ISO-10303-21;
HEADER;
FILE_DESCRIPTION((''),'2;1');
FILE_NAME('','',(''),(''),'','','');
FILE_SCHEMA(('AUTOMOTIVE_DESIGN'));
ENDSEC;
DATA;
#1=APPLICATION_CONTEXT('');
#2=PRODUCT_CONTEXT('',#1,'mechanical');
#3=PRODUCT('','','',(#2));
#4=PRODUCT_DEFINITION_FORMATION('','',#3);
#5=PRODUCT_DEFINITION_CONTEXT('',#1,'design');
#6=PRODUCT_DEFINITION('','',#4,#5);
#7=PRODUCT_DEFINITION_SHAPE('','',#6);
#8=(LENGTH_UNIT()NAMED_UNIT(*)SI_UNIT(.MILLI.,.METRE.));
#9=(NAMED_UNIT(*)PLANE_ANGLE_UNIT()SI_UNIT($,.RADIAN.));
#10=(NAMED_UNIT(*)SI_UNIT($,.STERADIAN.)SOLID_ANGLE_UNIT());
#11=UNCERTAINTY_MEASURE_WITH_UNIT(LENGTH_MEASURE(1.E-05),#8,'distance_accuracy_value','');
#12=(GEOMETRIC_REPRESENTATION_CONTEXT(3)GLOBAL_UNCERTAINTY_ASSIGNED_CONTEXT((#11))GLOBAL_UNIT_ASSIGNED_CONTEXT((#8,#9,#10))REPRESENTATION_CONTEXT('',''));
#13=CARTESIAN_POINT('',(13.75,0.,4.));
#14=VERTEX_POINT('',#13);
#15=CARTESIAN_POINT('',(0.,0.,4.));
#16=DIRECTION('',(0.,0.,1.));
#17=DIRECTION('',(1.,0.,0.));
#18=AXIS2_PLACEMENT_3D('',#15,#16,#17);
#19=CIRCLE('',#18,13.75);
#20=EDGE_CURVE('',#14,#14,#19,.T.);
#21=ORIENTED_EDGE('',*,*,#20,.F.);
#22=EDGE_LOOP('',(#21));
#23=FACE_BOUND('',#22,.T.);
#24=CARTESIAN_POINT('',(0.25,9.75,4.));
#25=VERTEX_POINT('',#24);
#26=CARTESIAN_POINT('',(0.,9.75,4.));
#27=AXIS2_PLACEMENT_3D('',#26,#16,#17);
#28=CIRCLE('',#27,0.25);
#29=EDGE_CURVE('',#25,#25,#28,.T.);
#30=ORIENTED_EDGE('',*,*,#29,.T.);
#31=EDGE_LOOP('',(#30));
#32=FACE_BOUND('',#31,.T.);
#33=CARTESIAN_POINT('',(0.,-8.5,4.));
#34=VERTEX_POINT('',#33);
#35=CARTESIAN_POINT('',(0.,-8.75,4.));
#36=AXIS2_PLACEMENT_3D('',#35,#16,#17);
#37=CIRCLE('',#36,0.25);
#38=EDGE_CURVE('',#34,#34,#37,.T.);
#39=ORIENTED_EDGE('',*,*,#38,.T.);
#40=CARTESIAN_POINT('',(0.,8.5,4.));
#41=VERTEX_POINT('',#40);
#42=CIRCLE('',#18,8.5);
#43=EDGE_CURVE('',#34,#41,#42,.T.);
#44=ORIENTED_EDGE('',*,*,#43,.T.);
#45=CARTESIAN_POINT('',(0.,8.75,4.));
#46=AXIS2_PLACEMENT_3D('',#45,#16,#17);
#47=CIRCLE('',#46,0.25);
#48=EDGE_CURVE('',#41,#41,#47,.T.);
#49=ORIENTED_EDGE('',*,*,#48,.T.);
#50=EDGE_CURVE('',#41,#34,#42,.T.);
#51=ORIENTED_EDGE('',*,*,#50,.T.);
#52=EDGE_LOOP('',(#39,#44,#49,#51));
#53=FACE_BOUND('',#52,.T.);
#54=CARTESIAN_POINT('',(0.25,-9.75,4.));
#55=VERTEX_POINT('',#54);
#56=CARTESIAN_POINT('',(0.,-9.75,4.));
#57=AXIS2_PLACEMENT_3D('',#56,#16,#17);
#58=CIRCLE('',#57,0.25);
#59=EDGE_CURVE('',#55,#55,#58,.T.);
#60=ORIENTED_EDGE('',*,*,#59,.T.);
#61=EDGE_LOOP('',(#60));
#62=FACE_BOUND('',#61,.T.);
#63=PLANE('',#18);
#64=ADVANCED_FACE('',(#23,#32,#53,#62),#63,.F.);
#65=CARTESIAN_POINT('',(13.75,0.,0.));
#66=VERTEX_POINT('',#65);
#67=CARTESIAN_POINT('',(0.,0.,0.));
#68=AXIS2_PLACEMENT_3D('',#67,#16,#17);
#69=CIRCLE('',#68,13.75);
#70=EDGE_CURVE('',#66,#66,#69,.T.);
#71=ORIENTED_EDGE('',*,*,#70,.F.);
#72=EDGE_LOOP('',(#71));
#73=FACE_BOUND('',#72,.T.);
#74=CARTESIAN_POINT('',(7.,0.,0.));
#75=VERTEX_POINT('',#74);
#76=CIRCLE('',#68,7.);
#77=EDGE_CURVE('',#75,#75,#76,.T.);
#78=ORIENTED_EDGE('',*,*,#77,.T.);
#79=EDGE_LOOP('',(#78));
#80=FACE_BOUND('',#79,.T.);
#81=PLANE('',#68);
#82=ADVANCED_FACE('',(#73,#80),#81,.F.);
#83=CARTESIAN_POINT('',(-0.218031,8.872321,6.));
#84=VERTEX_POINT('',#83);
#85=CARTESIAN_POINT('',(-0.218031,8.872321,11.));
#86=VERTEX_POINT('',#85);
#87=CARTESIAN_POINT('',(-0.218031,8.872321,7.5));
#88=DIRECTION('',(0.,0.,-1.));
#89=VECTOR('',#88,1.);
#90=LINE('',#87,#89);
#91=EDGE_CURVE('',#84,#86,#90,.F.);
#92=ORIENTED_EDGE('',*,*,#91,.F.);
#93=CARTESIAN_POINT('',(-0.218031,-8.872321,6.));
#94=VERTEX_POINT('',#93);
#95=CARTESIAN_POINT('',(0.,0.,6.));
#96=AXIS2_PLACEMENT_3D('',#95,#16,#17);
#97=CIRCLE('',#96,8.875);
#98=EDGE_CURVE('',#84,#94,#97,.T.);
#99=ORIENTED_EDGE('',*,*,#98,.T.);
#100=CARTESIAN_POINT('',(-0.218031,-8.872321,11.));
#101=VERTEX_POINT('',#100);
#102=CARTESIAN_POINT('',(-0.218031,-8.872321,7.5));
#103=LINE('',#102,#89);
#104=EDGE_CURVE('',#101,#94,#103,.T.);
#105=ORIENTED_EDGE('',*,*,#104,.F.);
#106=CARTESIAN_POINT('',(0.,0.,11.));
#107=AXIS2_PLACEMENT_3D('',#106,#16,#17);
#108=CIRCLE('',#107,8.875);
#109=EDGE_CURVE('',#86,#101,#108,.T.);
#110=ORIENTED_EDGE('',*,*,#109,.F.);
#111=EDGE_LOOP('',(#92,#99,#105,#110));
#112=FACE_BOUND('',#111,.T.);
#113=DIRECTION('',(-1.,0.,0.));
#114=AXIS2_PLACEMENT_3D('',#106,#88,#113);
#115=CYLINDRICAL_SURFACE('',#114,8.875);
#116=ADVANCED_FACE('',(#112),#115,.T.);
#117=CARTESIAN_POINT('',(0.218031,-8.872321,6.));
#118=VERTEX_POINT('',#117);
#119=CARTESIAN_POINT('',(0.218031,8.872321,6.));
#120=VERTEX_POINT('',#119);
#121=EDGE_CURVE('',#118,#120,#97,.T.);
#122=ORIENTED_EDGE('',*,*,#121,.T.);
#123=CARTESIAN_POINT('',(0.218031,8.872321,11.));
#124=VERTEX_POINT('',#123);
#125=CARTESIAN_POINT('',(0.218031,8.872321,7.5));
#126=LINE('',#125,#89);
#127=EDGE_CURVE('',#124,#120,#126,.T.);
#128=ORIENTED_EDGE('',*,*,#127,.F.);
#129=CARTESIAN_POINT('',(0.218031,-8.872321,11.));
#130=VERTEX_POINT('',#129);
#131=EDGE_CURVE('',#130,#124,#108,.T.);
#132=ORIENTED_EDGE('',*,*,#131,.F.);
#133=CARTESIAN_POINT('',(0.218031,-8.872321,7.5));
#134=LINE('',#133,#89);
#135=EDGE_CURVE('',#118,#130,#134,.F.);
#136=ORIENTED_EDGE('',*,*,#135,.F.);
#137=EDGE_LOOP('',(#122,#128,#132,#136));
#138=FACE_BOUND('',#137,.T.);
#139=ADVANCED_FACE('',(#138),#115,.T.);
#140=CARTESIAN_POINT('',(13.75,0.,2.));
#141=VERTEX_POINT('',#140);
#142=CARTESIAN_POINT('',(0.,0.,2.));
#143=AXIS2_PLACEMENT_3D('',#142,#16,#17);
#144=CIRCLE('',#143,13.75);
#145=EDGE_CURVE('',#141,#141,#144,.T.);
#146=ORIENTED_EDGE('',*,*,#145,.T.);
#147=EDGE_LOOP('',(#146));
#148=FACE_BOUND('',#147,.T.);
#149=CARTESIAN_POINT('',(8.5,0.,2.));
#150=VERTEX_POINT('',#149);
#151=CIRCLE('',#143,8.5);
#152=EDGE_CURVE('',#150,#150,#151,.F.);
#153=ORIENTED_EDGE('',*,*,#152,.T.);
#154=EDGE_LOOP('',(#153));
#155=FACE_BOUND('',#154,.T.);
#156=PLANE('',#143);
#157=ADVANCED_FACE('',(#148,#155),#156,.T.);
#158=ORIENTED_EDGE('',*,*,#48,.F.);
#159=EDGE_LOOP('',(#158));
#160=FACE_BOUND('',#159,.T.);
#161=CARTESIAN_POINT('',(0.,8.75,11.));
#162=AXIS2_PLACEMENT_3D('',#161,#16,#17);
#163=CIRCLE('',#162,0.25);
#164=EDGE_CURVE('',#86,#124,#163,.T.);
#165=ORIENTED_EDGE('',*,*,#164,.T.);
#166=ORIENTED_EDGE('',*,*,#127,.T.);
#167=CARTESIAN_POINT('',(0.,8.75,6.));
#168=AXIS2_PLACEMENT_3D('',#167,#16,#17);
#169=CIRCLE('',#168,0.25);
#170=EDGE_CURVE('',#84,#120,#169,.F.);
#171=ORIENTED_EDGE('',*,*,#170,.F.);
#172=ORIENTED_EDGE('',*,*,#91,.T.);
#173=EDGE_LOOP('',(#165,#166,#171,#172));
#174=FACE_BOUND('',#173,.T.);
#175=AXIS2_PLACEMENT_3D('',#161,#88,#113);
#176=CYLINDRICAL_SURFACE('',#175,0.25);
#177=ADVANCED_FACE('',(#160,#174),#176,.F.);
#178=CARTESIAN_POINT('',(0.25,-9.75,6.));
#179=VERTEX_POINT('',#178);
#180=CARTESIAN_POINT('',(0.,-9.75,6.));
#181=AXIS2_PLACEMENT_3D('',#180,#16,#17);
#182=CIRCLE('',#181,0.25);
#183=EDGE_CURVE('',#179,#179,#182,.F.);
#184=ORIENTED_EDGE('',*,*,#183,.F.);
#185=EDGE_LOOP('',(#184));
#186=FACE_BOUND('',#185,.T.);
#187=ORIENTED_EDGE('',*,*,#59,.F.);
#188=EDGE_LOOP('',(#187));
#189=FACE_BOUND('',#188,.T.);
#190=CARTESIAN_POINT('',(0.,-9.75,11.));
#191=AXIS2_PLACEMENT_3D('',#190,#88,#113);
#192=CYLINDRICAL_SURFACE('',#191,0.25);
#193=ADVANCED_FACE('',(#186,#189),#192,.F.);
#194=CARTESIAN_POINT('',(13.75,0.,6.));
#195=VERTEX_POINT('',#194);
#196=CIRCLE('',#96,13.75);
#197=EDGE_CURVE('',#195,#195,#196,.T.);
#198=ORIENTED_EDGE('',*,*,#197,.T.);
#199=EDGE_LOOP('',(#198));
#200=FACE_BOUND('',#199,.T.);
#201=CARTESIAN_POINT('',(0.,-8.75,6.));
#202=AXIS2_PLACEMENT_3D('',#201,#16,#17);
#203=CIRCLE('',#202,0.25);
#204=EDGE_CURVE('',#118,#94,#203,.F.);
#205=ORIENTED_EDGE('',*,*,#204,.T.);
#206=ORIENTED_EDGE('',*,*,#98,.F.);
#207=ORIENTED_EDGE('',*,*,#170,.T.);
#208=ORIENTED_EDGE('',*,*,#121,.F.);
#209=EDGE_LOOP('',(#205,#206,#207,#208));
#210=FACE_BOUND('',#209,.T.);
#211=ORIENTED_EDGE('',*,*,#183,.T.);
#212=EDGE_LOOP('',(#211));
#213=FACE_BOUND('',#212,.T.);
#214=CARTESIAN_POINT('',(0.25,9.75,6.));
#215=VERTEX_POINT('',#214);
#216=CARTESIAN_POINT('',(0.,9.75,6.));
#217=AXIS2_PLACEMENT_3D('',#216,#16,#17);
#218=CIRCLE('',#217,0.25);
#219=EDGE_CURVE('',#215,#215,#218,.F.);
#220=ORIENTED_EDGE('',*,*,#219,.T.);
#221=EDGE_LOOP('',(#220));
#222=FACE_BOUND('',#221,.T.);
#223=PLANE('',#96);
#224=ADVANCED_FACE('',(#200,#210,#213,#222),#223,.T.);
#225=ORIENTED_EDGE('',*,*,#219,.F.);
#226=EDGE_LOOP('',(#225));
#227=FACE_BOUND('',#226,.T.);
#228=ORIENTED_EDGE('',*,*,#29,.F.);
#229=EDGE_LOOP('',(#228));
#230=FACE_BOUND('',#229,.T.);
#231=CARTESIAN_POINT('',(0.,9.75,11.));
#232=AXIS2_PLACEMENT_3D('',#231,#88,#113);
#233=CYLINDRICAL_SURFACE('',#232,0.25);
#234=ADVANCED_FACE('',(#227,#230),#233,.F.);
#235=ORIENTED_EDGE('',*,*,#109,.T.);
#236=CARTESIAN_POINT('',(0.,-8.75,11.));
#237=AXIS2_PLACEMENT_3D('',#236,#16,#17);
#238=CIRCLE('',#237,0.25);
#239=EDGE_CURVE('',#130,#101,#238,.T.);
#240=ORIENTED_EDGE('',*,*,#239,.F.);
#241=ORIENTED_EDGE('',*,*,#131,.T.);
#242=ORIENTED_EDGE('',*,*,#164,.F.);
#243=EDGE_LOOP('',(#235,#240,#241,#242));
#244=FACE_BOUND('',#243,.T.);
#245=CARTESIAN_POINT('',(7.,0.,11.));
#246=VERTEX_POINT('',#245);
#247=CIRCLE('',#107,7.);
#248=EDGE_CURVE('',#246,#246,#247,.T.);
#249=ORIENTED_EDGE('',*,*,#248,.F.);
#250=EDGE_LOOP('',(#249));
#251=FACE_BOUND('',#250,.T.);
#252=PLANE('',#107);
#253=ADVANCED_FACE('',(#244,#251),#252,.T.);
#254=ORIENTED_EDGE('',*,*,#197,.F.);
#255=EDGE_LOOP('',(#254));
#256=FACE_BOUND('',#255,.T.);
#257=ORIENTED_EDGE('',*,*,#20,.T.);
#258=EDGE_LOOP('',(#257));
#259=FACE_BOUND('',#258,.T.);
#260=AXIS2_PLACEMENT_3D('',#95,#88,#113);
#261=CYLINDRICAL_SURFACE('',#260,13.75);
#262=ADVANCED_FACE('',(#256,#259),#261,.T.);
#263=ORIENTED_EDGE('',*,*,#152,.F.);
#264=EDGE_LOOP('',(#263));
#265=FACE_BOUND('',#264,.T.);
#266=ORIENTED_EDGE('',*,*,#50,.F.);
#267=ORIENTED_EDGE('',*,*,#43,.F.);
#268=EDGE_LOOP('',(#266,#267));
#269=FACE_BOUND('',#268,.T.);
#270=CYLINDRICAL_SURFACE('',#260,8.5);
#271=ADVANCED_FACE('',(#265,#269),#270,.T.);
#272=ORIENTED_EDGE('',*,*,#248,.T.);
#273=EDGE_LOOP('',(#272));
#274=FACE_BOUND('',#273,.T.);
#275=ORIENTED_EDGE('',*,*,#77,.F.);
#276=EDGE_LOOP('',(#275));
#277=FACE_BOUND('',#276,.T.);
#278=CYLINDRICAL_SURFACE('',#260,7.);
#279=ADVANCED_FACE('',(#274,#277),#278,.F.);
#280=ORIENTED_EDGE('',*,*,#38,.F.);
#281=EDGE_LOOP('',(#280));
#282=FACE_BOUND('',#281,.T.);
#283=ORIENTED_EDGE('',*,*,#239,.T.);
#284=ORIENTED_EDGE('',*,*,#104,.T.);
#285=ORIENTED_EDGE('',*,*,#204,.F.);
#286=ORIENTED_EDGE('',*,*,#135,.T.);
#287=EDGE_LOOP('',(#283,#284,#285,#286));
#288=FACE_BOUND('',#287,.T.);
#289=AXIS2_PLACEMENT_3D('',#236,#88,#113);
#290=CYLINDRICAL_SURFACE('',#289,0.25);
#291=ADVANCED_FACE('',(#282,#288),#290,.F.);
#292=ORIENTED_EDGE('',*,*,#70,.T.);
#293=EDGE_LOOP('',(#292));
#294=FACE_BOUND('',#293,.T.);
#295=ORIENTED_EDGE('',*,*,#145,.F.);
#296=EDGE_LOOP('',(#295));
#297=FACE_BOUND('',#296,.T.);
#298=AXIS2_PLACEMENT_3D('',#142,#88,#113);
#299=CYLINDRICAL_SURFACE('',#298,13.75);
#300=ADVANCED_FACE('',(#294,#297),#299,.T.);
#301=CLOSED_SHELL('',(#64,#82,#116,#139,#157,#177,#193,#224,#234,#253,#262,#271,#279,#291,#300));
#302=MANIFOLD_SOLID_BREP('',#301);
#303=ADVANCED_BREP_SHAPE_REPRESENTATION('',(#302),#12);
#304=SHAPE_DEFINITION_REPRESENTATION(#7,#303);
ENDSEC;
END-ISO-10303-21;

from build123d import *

# Parameters (mm, degrees)
SKETCH1_R           = 13.75
BOSS_EXTRUDE1_DEPTH = 2
SKETCH2_R           = 8.5
BOSS_EXTRUDE2_DEPTH = 6
BOSS_EXTRUDE3_START = 4
SKETCH3_R           = 13.75
BOSS_EXTRUDE3_DEPTH = 2
SKETCH5_R           = 7
CUT_EXTRUDE2_DEPTH  = 21.350061425
BOSS_EXTRUDE4_START = 6
SKETCH6_R           = 8.875
SKETCH6_R_2         = 7
BOSS_EXTRUDE4_DEPTH = 5
CUT_EXTRUDE3_START  = 4
SKETCH9_R           = 0.25
CUT_EXTRUDE3_DEPTH  = 19.341105613


with BuildPart() as part:
    # Sketch1 → Boss-Extrude1 (new body)
    with BuildSketch(Plane.XY):
        Circle(SKETCH1_R)
    extrude(amount=BOSS_EXTRUDE1_DEPTH)

    # Sketch2 → Boss-Extrude2 (add)
    with BuildSketch(Plane.XY):
        Circle(SKETCH2_R)
    extrude(amount=BOSS_EXTRUDE2_DEPTH)

    # Sketch3 → Boss-Extrude3 (add)
    with BuildSketch(Plane.XY.offset(BOSS_EXTRUDE3_START)):
        Circle(SKETCH3_R)
    extrude(amount=BOSS_EXTRUDE3_DEPTH)

    # Sketch5 → Cut-Extrude2 (cut, through all)
    with BuildSketch(Plane.XY):
        Circle(SKETCH5_R)
    extrude(amount=CUT_EXTRUDE2_DEPTH, mode=Mode.SUBTRACT)

    # Sketch6 → Boss-Extrude4 (add)
    with BuildSketch(Plane.XY.offset(BOSS_EXTRUDE4_START)):
        Circle(SKETCH6_R)
        Circle(SKETCH6_R_2, mode=Mode.SUBTRACT)
    extrude(amount=BOSS_EXTRUDE4_DEPTH)

    # Sketch9 → Cut-Extrude3 (cut, through all)
    with BuildSketch(Plane.XY.offset(CUT_EXTRUDE3_START)):
        with Locations((0, 9.75)):
            Circle(SKETCH9_R)
        with Locations((0, -9.75)):
            Circle(SKETCH9_R)
        with Locations(Location((0, 8.75, 0), (0, 0, 150.706355545))):
            Circle(SKETCH9_R)
        with Locations(Location((0, -8.75, 0), (0, 0, 209.293644455))):
            Circle(SKETCH9_R)
    extrude(amount=CUT_EXTRUDE3_DEPTH, mode=Mode.SUBTRACT)


solid = part.part
